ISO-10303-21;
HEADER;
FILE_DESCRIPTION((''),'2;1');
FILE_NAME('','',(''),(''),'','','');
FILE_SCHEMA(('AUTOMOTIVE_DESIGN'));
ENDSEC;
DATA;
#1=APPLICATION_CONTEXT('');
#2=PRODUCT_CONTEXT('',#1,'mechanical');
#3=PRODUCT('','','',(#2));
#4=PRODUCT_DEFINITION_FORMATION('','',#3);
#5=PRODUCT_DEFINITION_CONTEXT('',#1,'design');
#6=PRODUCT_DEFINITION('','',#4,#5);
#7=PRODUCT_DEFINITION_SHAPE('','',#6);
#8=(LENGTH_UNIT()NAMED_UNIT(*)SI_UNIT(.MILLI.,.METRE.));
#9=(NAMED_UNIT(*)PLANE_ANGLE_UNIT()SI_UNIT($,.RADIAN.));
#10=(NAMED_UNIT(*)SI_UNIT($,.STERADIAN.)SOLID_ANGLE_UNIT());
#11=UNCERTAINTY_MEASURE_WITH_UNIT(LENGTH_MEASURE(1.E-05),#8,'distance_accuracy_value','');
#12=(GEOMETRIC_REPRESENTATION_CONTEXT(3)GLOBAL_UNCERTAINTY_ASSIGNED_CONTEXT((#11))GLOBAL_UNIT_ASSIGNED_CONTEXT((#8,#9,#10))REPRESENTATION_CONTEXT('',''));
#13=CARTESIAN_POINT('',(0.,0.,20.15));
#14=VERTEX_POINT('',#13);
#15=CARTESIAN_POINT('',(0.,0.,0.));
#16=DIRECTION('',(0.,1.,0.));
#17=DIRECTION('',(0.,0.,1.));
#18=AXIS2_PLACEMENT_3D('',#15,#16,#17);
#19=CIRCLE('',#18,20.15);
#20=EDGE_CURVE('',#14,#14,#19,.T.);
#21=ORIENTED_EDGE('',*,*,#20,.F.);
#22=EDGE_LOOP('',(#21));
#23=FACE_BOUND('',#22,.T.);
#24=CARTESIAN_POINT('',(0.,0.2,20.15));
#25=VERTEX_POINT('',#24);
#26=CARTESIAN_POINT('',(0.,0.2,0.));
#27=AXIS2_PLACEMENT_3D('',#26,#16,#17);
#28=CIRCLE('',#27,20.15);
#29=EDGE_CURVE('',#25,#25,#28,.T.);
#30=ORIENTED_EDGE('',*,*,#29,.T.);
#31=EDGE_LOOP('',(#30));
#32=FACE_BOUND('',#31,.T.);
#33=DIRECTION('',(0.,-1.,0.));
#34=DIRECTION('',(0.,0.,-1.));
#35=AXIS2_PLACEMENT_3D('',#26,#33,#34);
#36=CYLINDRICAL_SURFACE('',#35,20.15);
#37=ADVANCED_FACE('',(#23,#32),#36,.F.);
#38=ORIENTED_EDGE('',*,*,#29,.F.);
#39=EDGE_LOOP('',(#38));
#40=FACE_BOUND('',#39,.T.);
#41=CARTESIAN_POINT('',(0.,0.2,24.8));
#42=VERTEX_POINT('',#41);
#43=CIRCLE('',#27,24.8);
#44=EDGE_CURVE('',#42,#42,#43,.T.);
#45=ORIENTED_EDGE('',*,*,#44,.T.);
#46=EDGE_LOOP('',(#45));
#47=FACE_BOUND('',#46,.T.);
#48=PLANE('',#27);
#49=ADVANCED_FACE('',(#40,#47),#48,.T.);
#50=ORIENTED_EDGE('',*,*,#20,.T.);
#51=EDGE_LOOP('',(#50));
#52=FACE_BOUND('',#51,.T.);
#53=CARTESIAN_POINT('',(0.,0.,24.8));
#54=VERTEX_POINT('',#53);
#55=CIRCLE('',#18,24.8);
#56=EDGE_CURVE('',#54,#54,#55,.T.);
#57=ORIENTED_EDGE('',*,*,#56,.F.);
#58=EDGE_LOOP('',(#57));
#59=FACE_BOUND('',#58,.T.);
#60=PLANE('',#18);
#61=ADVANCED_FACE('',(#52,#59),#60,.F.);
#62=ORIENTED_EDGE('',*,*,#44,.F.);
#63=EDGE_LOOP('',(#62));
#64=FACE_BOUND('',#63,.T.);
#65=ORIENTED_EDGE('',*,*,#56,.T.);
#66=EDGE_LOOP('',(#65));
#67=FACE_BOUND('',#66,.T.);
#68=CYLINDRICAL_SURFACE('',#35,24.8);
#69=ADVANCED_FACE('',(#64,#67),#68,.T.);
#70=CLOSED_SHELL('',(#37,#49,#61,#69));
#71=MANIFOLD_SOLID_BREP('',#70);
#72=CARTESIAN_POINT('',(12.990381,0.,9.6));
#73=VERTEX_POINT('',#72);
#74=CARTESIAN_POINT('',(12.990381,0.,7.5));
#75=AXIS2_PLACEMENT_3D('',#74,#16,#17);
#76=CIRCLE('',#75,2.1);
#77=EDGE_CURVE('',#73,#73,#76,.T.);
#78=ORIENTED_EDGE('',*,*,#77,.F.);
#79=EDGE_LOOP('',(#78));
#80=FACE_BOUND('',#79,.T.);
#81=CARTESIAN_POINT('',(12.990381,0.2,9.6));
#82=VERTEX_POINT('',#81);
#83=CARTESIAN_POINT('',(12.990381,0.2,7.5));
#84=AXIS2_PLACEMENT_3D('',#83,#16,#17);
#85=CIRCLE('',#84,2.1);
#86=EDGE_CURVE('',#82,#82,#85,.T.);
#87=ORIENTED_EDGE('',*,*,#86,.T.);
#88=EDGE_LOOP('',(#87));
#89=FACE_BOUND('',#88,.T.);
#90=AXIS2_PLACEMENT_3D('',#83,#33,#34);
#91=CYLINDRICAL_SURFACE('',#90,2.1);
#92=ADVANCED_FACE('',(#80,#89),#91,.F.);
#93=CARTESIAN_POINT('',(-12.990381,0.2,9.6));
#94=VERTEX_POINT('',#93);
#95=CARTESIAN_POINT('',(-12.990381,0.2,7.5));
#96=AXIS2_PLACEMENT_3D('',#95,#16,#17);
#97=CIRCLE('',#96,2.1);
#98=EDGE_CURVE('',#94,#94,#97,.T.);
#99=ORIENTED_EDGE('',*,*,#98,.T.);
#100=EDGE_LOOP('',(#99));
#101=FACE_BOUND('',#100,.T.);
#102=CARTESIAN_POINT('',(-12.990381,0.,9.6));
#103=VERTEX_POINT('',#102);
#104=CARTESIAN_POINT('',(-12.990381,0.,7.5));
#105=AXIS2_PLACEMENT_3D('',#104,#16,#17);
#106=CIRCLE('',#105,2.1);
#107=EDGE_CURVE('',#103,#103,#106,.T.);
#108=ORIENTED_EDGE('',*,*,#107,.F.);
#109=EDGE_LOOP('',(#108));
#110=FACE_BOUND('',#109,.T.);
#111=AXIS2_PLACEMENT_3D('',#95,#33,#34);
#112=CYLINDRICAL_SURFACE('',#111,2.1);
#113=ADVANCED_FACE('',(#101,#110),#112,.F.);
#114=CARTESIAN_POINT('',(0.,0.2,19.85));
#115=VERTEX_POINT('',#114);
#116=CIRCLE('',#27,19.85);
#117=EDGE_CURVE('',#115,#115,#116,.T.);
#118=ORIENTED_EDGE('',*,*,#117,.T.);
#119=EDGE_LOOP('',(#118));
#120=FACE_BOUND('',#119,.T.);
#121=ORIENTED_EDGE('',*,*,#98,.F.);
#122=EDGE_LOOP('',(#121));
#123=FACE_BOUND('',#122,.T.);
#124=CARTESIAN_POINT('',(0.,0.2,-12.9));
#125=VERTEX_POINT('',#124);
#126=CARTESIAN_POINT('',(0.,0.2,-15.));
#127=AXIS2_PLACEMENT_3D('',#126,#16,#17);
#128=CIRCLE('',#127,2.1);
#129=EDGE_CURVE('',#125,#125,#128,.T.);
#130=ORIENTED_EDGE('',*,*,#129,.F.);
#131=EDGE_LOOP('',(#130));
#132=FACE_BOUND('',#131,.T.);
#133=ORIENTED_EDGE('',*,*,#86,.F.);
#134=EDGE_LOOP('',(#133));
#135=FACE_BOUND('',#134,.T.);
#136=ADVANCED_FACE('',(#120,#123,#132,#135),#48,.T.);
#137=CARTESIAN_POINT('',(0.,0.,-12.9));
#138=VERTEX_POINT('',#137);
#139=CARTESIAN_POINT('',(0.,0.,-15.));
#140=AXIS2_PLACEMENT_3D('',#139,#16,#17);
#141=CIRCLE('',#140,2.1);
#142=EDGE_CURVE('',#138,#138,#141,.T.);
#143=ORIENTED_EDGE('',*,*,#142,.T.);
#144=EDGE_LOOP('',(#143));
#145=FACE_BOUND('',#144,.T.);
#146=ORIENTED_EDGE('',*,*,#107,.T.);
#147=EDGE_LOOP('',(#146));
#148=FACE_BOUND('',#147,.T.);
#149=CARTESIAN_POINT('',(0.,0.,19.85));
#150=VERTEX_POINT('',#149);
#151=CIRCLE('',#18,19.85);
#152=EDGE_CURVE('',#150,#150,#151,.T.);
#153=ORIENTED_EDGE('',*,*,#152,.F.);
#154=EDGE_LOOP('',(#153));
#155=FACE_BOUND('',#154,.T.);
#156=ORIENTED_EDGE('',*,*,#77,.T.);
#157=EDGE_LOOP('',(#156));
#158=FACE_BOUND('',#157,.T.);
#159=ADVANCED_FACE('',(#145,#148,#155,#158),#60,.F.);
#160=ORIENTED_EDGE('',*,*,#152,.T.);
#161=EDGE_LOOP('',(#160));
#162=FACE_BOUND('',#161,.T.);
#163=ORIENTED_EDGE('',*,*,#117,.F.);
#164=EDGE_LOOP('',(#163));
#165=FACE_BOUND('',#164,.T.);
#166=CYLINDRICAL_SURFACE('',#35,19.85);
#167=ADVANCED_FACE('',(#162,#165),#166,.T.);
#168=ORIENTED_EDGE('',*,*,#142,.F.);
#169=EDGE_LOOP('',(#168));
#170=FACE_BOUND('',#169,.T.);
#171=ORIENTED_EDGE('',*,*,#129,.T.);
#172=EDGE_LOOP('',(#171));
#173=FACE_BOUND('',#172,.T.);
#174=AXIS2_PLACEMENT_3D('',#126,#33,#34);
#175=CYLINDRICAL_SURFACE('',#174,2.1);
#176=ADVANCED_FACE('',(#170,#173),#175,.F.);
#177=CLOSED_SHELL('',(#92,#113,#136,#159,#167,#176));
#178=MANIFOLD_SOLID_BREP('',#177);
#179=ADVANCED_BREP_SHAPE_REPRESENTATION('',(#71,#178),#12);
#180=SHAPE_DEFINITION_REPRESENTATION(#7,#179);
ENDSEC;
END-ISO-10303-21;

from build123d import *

# Parameters (mm, degrees)
SKETCH1_R             = 24.8
SKETCH1_R_2           = 20.15
BOSS_EXTRUDE1_DEPTH   = 0.2
SKETCH1_R_3           = 19.85
SKETCH1_R_4           = 2.1
BOSS_EXTRUDE1_2_DEPTH = 0.2


with BuildPart() as part:
    # Sketch1 → Boss-Extrude1 (new body)
    with BuildSketch(Plane(origin=(0, 0, 0), x_dir=(1, 0, 0), z_dir=(0, 1, 0))):
        with Locations(Location((0, 0, 0), (0, 0, 270))):
            Circle(SKETCH1_R)
        with Locations(Location((0, 0, 0), (0, 0, 270))):
            Circle(SKETCH1_R_2, mode=Mode.SUBTRACT)
    extrude(amount=BOSS_EXTRUDE1_DEPTH)


with BuildPart() as body_2:
    # Sketch1 → Boss-Extrude1 2 (new body)
    with BuildSketch(Plane(origin=(0, 0, 0), x_dir=(1, 0, 0), z_dir=(0, 1, 0))):
        with Locations(Location((0, 0, 0), (0, 0, 270))):
            Circle(SKETCH1_R_3)
        with Locations(Location((-12.990381057, -7.5, 0), (0, 0, 270))):
            Circle(SKETCH1_R_4, mode=Mode.SUBTRACT)
        with Locations(Location((12.990381057, -7.5, 0), (0, 0, 270))):
            Circle(SKETCH1_R_4, mode=Mode.SUBTRACT)
        with Locations(Location((0, 15, 0), (0, 0, 270))):
            Circle(SKETCH1_R_4, mode=Mode.SUBTRACT)
    extrude(amount=BOSS_EXTRUDE1_2_DEPTH)


solid = Compound([part.part, body_2.part])
